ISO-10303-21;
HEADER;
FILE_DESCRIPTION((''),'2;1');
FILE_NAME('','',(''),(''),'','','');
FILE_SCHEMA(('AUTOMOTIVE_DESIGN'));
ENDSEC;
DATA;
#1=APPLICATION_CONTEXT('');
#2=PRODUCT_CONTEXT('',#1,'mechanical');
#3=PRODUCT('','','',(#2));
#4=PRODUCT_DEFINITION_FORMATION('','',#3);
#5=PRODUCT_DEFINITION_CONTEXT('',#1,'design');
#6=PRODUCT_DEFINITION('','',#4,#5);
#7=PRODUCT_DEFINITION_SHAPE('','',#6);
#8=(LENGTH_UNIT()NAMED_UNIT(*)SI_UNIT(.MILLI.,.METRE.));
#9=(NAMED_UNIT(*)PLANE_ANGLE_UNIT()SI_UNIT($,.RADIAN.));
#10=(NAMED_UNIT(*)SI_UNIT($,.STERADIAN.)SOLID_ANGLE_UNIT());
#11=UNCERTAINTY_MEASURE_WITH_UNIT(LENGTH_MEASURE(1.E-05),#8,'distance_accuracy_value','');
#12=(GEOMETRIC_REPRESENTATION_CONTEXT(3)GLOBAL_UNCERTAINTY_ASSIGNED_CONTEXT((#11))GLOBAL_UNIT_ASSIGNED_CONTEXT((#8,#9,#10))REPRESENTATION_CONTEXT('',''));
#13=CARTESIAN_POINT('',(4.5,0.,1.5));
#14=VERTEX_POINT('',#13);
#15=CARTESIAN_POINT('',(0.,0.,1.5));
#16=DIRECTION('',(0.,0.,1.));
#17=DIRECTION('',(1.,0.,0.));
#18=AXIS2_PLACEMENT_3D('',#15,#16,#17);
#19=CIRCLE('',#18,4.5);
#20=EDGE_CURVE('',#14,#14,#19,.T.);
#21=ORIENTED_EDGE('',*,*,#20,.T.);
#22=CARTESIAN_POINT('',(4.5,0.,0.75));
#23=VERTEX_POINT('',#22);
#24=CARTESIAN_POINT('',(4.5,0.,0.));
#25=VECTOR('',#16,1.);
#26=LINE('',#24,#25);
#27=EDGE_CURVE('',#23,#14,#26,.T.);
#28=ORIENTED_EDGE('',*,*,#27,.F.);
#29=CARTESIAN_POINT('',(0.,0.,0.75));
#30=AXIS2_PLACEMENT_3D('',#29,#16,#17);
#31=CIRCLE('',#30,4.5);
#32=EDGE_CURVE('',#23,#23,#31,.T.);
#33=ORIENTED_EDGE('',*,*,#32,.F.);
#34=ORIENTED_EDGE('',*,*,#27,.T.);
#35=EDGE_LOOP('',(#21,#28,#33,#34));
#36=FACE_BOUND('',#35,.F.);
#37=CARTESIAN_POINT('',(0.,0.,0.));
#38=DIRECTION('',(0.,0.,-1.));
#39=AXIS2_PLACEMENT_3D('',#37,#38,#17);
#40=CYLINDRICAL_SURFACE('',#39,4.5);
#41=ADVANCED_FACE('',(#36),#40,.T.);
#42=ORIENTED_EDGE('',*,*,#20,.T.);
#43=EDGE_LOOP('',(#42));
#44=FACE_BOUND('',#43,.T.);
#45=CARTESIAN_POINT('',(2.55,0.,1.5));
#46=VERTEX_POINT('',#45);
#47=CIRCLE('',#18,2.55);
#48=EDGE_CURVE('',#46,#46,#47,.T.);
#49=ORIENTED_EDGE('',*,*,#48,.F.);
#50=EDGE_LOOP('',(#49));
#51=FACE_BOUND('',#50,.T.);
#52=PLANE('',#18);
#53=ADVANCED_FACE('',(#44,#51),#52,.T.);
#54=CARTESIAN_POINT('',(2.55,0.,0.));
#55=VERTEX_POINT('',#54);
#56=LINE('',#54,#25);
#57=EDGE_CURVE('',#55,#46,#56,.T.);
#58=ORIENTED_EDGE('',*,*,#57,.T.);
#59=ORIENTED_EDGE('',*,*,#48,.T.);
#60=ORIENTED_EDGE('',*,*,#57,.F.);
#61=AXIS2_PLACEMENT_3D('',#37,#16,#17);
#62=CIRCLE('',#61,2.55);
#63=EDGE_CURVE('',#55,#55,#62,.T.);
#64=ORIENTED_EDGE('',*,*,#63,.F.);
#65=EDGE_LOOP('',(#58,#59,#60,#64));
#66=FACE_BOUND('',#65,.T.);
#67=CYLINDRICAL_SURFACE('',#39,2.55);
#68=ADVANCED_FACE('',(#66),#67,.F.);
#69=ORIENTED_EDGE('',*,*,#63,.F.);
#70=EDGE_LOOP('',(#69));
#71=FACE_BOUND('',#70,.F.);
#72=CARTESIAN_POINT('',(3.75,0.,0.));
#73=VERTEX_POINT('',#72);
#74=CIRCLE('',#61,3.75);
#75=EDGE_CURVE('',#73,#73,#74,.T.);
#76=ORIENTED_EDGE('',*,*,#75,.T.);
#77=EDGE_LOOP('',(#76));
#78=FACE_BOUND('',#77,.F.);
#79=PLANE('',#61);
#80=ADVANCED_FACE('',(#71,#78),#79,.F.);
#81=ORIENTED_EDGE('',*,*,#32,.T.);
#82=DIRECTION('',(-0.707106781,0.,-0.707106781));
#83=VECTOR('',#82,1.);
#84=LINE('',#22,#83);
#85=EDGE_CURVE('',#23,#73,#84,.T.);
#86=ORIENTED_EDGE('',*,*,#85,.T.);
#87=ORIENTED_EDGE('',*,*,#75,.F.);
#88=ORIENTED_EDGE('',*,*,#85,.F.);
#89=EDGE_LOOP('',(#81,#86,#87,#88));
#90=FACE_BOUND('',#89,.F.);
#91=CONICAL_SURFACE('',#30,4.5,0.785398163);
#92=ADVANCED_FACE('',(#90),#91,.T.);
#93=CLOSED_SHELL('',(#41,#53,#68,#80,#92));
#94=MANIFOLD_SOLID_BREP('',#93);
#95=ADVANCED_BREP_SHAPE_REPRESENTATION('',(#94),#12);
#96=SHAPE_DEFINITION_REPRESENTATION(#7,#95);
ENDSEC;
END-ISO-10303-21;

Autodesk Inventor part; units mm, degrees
ref_plane "YZ Plane" through (0, 0, 0) normal (1, 0, 0) x (0, 1, 0)
ref_plane "XZ Plane" through (0, 0, 0) normal (0, 1, 0) x (-1, 0, 0)
ref_plane "XY Plane" through (0, 0, 0) normal (0, 0, 1) x (1, 0, 0)
sketch "Sketch1" plane through (0, 0, 0) normal (0, 0, 1) x (1, 0, 0)
  circle A0 centre (0, 0) radius 4.5
  circle A1 centre (0, 0) radius 2.55
  dimension "d0" = 9
  dimension "d1" = 5.1
extrude "Extrusion1" add sketch "Sketch1" along normal blind 1.5
chamfer "Chamfer1" distance 0.75 angle 45 1 edges at (-4.5, 0, 0)
properties part number "3DP_PLA_Y_axis_drive_shaft_pulley_washer"
